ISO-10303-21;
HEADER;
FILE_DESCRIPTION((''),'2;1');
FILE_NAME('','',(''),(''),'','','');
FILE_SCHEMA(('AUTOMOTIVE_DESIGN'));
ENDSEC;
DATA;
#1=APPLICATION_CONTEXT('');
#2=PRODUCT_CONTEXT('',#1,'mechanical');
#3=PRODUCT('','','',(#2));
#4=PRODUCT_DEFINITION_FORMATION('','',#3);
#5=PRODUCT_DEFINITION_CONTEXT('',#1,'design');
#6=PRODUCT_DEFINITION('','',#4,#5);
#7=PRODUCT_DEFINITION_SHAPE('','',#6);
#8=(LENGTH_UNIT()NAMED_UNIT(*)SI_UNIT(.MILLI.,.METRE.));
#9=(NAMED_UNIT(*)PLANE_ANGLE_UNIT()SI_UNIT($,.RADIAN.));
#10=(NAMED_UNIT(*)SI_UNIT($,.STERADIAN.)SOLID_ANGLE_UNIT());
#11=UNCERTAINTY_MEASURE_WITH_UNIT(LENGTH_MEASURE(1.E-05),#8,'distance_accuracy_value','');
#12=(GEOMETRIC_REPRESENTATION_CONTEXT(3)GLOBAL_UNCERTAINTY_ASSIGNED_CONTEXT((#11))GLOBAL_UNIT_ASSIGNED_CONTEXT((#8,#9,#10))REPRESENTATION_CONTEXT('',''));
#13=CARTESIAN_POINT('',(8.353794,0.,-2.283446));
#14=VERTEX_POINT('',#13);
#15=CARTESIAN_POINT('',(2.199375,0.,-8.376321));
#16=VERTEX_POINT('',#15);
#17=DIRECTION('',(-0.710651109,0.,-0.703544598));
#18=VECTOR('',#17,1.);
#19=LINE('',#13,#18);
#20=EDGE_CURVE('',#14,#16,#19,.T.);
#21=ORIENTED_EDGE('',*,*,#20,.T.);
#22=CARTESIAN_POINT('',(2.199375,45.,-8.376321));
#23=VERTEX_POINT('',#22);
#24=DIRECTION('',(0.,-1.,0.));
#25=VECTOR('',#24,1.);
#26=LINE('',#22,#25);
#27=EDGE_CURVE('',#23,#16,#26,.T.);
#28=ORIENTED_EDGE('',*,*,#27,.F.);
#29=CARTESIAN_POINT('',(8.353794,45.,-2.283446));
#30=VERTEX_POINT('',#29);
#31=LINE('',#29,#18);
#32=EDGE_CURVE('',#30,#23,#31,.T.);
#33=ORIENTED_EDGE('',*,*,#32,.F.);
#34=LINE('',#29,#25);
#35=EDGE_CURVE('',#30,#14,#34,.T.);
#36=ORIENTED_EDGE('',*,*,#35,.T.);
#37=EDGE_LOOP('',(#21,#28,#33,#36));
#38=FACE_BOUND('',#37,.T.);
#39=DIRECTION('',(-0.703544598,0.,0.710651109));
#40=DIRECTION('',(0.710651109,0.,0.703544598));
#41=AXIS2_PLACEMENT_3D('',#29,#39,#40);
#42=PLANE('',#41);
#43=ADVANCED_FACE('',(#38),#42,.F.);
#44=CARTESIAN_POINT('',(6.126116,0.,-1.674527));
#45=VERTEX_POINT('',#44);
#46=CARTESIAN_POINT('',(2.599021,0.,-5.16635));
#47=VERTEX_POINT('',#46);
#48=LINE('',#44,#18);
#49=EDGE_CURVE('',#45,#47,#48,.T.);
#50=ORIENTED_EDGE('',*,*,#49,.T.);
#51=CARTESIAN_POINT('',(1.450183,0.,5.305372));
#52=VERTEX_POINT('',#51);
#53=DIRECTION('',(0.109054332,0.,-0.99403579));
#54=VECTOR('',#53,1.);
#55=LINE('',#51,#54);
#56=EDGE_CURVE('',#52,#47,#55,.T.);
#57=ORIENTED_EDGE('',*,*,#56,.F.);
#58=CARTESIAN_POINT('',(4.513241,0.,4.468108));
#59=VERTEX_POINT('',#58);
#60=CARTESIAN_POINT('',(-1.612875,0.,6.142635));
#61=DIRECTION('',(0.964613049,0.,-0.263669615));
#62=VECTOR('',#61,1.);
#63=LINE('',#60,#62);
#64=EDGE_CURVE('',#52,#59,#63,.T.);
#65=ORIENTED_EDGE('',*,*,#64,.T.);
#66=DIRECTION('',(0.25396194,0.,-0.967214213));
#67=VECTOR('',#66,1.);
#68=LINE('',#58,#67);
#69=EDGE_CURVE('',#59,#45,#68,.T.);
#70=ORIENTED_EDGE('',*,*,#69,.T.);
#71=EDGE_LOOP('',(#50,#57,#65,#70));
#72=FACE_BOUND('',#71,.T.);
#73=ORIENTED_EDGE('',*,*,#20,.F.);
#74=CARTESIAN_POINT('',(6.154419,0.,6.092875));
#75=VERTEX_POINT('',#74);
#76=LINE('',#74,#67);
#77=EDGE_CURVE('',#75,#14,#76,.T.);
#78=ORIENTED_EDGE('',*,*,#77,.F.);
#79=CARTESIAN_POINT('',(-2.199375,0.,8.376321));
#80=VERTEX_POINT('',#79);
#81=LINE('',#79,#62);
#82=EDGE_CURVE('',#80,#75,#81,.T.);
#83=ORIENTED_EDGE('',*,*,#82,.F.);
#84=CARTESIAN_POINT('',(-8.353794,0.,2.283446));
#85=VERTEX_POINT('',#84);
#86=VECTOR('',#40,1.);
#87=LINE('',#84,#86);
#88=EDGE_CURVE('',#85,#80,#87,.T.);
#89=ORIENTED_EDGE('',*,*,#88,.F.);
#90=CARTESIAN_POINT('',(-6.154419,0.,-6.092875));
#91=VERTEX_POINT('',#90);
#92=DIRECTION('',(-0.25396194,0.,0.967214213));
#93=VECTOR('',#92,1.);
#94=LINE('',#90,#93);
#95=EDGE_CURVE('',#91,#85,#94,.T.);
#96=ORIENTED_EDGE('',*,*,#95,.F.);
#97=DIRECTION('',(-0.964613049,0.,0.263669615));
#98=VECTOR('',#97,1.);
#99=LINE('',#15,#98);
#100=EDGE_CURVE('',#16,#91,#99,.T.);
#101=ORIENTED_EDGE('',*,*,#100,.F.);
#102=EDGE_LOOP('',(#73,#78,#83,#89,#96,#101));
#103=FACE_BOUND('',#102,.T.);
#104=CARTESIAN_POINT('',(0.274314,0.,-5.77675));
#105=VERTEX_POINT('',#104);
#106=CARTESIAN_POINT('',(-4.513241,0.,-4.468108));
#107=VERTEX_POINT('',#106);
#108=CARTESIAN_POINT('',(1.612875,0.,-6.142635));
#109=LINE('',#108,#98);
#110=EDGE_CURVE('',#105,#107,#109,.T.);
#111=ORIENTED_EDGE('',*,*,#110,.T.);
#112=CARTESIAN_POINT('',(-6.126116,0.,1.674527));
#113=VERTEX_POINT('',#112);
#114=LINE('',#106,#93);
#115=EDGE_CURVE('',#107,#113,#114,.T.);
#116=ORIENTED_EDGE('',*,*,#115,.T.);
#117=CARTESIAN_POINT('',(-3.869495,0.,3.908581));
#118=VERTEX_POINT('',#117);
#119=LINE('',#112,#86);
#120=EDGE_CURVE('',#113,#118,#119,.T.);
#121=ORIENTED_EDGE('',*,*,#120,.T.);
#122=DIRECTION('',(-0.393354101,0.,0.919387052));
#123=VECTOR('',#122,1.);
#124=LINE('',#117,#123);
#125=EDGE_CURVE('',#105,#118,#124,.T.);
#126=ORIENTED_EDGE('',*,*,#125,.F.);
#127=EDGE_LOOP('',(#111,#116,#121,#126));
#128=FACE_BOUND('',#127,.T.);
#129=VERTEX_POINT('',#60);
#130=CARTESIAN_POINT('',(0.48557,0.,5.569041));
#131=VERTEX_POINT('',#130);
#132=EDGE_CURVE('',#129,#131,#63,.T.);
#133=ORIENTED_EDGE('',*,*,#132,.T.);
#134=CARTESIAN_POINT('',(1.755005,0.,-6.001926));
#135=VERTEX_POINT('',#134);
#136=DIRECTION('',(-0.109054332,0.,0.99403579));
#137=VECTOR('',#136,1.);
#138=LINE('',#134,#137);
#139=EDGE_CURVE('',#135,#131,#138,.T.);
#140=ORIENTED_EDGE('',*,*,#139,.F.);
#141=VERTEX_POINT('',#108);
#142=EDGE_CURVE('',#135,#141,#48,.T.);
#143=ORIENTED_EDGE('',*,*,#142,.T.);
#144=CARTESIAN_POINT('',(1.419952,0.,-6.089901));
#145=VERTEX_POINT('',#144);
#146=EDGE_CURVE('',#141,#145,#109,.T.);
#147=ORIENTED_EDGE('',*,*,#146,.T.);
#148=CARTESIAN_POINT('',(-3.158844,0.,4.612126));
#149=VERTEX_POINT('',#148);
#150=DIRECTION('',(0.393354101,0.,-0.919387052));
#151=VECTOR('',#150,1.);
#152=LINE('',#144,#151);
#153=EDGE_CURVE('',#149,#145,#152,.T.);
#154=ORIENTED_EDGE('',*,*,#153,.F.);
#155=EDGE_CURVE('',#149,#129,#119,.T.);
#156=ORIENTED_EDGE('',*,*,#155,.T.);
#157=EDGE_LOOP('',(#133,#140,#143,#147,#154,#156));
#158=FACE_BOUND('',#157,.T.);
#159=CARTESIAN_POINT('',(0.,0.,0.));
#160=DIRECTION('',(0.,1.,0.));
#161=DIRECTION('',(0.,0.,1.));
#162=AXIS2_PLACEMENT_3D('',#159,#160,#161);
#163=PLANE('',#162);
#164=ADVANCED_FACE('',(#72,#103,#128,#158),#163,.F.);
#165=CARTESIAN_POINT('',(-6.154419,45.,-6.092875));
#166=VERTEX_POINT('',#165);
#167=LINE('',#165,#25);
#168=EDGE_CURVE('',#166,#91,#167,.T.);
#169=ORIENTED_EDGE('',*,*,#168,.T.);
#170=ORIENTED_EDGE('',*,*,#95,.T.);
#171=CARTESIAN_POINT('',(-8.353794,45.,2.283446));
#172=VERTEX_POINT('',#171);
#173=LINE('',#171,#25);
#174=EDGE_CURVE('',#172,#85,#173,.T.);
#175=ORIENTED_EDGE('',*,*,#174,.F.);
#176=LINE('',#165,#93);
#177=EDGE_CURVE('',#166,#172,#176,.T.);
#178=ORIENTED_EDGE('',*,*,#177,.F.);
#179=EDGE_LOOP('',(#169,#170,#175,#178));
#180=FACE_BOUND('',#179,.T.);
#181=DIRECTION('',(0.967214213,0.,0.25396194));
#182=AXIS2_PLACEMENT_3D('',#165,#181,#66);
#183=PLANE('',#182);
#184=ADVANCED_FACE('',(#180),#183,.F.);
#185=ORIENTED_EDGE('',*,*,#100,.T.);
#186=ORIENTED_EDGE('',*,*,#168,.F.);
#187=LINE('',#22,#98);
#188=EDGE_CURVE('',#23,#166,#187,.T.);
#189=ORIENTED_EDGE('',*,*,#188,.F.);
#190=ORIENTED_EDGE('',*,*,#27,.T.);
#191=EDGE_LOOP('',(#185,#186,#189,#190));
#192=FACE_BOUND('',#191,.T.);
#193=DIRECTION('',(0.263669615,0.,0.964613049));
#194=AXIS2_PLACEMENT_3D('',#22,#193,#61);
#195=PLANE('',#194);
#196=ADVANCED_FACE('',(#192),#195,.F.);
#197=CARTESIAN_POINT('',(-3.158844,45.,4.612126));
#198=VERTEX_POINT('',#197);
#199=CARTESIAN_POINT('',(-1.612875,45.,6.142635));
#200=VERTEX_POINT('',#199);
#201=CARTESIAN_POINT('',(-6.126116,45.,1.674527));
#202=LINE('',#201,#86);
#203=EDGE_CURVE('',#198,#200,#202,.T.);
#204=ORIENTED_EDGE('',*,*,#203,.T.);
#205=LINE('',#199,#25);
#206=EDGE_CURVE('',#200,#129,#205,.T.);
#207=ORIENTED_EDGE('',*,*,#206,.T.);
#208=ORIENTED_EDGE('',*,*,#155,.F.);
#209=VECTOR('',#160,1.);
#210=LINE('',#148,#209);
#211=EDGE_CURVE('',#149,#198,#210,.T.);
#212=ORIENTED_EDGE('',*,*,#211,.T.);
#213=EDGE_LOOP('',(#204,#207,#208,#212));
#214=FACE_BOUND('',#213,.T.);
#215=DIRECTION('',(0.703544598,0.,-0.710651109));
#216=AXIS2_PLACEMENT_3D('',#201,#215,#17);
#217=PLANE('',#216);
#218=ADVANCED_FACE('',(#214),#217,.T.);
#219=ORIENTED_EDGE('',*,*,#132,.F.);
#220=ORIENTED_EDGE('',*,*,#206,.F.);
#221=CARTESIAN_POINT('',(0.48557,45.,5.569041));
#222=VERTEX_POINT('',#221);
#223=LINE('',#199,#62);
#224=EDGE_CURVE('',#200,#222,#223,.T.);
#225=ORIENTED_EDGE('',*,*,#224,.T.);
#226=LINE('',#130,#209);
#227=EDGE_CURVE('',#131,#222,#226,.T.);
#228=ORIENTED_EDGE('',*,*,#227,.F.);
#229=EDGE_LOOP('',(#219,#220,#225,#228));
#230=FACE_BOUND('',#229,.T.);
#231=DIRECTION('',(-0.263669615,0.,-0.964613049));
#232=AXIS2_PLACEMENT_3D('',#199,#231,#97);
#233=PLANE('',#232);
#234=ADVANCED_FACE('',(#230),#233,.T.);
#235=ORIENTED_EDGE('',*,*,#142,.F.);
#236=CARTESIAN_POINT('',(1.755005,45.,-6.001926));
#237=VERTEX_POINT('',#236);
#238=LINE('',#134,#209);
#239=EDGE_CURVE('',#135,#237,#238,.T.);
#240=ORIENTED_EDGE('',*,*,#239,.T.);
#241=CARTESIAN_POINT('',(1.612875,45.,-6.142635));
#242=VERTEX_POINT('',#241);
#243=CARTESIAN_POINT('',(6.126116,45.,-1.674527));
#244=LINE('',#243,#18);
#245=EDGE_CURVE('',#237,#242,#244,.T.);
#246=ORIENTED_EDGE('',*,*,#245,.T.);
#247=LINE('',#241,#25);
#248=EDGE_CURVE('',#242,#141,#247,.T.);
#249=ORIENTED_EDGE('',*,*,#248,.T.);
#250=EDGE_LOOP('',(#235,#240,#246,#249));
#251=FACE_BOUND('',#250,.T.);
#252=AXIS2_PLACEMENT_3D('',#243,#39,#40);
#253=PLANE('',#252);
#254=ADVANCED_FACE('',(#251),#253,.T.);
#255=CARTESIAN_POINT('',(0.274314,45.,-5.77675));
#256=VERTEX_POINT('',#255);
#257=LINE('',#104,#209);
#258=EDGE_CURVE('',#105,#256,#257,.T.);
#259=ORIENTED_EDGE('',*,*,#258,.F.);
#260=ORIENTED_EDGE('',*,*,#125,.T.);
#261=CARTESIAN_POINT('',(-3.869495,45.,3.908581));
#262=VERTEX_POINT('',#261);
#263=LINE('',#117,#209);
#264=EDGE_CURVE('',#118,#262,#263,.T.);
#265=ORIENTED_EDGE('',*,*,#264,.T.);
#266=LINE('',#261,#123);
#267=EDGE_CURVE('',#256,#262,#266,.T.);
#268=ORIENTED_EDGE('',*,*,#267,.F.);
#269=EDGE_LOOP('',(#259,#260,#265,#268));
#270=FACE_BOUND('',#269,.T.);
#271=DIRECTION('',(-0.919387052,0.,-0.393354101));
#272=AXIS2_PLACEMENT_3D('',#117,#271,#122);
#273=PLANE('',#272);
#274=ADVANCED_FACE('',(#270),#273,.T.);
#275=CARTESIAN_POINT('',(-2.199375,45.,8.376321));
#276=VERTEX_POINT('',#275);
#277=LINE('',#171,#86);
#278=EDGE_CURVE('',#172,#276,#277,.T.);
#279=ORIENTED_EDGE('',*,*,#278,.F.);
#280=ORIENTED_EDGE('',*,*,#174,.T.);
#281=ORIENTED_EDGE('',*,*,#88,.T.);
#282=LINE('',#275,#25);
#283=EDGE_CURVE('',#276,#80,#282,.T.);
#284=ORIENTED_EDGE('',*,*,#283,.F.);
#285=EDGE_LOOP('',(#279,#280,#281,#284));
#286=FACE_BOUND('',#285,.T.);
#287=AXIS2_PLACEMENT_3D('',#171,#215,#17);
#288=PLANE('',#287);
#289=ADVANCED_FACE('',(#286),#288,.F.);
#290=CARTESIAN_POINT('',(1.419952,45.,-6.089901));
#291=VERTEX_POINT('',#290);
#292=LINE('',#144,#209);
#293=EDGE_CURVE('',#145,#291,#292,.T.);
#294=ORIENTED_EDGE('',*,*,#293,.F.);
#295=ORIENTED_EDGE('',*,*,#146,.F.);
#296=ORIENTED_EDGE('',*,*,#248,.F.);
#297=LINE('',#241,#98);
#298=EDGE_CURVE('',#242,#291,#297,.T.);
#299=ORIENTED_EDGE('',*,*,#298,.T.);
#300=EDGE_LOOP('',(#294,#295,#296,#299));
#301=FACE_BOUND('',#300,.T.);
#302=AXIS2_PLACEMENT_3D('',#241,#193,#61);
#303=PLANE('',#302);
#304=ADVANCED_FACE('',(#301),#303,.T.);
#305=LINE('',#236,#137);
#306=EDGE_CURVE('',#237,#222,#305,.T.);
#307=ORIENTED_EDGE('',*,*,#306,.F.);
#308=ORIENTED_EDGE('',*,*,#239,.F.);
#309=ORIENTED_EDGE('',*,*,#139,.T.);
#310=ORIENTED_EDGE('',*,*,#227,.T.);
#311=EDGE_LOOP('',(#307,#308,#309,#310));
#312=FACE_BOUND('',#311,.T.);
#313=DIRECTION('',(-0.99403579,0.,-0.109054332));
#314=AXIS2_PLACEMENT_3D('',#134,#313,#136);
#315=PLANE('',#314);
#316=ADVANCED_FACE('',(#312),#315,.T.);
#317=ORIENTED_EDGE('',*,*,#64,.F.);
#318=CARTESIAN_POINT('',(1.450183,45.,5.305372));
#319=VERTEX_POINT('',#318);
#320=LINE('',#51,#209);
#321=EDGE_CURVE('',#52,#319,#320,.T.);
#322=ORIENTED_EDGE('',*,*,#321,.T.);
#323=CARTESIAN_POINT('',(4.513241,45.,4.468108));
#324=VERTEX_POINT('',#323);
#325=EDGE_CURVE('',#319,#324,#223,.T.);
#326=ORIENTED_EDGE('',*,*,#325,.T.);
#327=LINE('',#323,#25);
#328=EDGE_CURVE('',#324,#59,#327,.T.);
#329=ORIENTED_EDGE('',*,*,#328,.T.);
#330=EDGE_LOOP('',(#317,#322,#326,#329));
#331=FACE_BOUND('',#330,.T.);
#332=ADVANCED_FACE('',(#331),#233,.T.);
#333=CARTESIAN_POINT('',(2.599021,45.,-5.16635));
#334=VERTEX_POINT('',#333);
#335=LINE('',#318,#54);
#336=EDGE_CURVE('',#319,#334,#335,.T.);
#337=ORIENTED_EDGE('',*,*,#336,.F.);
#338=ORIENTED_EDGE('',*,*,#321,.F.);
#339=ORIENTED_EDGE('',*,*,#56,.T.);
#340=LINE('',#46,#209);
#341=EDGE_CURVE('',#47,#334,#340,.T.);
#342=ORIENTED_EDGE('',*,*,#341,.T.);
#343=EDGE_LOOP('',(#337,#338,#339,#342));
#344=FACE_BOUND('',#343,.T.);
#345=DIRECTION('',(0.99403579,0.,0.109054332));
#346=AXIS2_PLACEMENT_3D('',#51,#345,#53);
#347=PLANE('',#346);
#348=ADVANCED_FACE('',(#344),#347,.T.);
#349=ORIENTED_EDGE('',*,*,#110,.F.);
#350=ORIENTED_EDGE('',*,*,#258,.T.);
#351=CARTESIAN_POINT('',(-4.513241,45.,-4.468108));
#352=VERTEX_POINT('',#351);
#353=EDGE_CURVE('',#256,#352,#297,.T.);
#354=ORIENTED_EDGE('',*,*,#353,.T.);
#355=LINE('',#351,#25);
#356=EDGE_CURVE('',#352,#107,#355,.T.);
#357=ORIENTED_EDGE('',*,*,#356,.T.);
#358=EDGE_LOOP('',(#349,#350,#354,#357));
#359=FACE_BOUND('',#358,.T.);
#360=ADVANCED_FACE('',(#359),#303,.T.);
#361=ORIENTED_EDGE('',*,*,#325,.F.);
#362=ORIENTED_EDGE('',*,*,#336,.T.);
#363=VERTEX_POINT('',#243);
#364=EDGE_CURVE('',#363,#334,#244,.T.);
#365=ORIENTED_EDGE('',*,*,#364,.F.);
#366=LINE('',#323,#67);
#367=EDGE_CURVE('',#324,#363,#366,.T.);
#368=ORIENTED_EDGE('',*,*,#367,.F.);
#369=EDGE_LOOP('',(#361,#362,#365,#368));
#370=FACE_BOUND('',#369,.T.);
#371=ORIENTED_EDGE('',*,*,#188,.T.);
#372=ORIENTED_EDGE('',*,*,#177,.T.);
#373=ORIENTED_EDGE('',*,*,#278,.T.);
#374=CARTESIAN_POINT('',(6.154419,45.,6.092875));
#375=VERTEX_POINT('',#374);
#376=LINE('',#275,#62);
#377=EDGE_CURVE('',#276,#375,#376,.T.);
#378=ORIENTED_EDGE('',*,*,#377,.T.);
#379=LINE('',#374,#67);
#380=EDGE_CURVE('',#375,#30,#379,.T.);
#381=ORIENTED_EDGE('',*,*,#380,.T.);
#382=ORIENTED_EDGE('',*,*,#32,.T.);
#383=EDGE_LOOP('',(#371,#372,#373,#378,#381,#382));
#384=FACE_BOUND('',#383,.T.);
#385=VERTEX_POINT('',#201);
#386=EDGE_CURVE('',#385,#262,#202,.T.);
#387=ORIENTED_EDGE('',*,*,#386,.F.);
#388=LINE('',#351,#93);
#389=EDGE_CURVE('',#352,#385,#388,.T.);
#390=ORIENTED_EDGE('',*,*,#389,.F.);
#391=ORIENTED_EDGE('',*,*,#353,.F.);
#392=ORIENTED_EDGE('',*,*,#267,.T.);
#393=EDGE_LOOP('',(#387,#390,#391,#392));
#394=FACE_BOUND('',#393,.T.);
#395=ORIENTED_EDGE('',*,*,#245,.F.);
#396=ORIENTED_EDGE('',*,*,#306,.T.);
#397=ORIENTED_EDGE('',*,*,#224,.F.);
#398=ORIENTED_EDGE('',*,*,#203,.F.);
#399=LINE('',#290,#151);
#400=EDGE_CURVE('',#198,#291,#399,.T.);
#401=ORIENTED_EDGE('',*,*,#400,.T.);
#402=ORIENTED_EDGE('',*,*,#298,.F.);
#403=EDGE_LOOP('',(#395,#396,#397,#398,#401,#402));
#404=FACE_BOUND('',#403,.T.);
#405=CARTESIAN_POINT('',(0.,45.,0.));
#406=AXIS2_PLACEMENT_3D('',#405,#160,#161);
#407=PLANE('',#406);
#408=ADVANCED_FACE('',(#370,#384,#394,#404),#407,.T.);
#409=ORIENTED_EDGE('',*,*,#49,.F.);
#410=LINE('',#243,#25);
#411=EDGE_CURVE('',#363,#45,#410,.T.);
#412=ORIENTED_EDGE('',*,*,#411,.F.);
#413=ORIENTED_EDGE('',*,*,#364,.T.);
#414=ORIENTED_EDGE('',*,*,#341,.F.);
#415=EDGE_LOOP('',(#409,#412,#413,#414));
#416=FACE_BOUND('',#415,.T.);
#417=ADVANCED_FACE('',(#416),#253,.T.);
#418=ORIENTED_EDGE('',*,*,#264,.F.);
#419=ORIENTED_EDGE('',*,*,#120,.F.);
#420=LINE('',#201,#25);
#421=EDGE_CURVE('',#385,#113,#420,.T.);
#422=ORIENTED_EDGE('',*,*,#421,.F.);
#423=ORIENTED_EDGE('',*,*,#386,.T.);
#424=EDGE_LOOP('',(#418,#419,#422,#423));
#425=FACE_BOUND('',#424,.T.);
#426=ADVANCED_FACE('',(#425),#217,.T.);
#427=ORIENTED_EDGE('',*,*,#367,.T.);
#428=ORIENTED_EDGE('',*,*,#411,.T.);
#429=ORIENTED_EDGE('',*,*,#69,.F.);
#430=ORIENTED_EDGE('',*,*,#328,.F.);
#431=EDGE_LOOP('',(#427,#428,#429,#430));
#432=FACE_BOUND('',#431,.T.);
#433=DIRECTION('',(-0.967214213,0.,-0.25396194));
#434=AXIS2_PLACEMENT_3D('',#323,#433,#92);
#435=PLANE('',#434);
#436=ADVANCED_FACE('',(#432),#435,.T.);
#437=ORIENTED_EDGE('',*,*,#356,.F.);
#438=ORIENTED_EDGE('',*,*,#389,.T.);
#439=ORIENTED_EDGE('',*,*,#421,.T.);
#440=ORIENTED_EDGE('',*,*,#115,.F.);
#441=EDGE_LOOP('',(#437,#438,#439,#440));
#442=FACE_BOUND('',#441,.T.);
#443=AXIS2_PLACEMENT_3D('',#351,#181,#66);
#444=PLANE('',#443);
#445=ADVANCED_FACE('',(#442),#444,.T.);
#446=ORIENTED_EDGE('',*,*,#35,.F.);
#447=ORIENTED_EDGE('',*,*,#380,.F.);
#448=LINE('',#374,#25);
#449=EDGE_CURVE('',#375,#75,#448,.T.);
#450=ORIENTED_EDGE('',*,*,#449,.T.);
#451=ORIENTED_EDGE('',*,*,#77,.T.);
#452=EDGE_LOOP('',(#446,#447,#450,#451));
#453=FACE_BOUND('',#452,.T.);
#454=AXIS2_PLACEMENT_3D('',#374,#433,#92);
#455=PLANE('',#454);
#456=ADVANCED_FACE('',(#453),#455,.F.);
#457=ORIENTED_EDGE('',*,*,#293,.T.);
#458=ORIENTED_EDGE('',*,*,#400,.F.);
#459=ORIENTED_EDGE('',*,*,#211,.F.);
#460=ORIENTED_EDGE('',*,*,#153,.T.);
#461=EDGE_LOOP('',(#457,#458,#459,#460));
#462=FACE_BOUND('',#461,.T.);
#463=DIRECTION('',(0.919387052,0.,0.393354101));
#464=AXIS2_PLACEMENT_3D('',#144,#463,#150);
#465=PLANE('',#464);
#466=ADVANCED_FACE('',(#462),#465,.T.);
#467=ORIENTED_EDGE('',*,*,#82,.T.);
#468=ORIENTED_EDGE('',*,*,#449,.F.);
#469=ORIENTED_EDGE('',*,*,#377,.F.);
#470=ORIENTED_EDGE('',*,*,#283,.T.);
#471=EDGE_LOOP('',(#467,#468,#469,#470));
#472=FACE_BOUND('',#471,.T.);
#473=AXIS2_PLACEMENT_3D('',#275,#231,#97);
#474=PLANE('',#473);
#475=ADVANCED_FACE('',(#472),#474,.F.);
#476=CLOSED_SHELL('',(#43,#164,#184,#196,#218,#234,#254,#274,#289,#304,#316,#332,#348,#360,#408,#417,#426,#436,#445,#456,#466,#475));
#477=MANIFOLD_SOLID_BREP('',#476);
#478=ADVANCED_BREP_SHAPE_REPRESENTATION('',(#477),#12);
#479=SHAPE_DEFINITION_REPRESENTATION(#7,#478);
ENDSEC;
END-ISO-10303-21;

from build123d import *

# Parameters (mm, degrees)
BOSS_EXTRUDE1_DEPTH = 45
BOSS_EXTRUDE2_DEPTH = 45


with BuildPart() as part:
    # Sketch1 → Boss-Extrude1 (new body)
    with BuildSketch(Plane(origin=(0, 0, 0), x_dir=(1, 0, 0), z_dir=(0, 1, 0))):
        Polygon((6.154419136, -6.092874945), (8.353794053, 2.283445845), (2.199374916, 8.37632079), (-6.154419136, 6.092874945), (-8.353794053, -2.283445845), (-2.199374916, -8.37632079), align=None)
        Polygon((-1.612874939, -6.142635246), (4.5132407, -4.468108293), (6.126115639, 1.674526953), (1.612874939, 6.142635246), (-4.5132407, 4.468108293), (-6.126115639, -1.674526953), align=None, mode=Mode.SUBTRACT)
    extrude(amount=BOSS_EXTRUDE1_DEPTH)

    # Sketch2 → Boss-Extrude2 (add)
    with BuildSketch(Plane(origin=(0, 45, 0), x_dir=(1, 0, 0), z_dir=(0, 1, 0))):
        Polygon((-3.869495289, -3.9085811), (0.274314049, 5.776749843), (1.419952329, 6.089901323), (-3.15884418, -4.612125697), align=None)
        Polygon((1.450182881, -5.305371769), (2.599021437, 5.166350213), (1.75500516, 6.001926326), (0.485569832, -5.569041384), align=None)
    extrude(amount=-BOSS_EXTRUDE2_DEPTH)


solid = part.part
